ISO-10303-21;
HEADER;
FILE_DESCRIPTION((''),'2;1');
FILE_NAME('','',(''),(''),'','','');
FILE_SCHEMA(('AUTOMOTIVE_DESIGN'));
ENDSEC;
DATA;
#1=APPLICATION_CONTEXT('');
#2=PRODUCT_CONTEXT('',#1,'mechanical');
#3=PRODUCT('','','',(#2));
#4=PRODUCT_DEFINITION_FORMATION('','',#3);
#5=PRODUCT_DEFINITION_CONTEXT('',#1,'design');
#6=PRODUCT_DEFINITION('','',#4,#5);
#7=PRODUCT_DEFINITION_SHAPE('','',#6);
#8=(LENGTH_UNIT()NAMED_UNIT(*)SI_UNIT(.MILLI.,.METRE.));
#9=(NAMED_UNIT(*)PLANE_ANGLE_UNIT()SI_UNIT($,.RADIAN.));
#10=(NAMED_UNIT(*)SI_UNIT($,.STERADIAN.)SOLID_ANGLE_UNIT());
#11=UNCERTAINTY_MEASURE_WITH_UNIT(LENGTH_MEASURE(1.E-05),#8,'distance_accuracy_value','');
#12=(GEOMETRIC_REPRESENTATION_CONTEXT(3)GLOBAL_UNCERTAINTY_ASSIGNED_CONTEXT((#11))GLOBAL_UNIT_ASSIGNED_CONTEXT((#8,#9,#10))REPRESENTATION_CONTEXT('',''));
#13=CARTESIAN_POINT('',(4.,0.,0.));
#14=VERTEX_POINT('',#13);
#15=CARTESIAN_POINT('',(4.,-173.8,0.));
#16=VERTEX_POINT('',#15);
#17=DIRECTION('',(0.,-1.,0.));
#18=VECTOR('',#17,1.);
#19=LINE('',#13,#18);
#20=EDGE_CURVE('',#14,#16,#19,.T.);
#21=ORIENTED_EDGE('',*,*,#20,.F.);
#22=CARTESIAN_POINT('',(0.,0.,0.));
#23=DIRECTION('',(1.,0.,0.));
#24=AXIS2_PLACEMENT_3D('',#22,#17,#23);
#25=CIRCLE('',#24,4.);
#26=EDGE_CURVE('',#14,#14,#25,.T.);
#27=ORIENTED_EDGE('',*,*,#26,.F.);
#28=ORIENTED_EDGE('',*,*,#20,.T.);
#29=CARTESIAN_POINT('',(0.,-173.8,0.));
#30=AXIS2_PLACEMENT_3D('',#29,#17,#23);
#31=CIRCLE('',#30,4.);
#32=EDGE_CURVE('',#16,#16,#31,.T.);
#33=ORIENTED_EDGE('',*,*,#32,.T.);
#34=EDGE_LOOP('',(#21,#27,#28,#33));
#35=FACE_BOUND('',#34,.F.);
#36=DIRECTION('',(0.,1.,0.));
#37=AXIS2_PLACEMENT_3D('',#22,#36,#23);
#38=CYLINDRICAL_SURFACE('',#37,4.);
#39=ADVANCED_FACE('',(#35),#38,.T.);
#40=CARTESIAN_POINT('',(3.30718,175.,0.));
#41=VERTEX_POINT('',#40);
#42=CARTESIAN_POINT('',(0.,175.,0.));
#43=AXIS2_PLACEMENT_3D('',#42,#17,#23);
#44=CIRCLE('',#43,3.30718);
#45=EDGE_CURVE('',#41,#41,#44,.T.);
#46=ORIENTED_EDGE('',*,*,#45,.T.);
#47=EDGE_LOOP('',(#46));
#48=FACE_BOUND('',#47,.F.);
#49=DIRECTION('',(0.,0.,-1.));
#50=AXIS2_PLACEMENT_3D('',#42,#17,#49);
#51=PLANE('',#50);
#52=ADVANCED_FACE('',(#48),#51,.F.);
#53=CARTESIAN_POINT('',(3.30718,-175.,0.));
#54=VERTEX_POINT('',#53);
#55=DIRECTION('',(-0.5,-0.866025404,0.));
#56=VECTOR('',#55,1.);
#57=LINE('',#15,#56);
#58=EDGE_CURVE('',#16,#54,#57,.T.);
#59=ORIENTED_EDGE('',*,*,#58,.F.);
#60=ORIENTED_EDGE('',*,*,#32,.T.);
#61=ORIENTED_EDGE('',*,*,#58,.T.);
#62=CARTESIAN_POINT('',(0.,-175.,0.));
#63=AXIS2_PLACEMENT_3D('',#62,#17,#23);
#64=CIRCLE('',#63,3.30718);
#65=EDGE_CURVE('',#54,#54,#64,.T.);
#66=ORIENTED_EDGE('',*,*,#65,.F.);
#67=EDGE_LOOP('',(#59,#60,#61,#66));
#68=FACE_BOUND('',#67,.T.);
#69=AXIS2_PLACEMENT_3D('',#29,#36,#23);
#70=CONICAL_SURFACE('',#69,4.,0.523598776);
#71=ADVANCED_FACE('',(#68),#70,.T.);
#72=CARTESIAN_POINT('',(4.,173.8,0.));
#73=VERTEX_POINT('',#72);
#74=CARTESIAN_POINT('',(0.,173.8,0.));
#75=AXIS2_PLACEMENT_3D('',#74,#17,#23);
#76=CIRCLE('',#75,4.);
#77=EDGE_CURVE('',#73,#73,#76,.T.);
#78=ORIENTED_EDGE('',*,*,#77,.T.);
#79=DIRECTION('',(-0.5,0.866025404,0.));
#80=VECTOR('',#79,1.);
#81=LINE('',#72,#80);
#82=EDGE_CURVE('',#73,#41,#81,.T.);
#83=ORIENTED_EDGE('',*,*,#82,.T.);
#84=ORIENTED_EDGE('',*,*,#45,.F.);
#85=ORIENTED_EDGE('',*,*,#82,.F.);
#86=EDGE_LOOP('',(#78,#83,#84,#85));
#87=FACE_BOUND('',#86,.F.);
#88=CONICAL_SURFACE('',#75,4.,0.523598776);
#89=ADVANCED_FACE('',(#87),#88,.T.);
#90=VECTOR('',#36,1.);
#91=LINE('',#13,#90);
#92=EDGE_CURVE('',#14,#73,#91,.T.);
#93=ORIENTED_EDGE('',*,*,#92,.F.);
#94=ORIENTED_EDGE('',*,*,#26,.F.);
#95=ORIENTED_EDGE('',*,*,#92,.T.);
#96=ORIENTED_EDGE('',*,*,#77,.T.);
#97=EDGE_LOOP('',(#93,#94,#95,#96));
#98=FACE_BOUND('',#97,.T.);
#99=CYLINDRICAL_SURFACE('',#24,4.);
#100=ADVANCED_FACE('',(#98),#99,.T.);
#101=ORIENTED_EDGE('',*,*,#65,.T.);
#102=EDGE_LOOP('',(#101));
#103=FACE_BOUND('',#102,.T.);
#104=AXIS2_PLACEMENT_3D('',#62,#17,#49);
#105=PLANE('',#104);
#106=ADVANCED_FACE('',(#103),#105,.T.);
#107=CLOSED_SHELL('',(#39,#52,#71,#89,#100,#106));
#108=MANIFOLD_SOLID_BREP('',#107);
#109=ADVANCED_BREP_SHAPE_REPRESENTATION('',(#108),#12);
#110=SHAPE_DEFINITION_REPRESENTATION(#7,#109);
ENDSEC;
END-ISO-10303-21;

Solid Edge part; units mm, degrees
sketch "Sketch1" plane through (0, 0, 0) normal (0, -1, 0) x (1, 0, 0)
  circle A0 centre (0, 0) radius 4
  dimension "D1" = 8
extrude "Protrusion1" add sketch "Sketch1" along normal mid plane 350
chamfer "Chamfer_1" distance 1.2 angle 30 2 edges at (-4, -175, 0) (-4, 175, 0) measured on face at (2.2136, -144.0833, 3.3317) measured on face at (2.2136, 144.0833, 3.3317)
properties material "Stainless steel"
